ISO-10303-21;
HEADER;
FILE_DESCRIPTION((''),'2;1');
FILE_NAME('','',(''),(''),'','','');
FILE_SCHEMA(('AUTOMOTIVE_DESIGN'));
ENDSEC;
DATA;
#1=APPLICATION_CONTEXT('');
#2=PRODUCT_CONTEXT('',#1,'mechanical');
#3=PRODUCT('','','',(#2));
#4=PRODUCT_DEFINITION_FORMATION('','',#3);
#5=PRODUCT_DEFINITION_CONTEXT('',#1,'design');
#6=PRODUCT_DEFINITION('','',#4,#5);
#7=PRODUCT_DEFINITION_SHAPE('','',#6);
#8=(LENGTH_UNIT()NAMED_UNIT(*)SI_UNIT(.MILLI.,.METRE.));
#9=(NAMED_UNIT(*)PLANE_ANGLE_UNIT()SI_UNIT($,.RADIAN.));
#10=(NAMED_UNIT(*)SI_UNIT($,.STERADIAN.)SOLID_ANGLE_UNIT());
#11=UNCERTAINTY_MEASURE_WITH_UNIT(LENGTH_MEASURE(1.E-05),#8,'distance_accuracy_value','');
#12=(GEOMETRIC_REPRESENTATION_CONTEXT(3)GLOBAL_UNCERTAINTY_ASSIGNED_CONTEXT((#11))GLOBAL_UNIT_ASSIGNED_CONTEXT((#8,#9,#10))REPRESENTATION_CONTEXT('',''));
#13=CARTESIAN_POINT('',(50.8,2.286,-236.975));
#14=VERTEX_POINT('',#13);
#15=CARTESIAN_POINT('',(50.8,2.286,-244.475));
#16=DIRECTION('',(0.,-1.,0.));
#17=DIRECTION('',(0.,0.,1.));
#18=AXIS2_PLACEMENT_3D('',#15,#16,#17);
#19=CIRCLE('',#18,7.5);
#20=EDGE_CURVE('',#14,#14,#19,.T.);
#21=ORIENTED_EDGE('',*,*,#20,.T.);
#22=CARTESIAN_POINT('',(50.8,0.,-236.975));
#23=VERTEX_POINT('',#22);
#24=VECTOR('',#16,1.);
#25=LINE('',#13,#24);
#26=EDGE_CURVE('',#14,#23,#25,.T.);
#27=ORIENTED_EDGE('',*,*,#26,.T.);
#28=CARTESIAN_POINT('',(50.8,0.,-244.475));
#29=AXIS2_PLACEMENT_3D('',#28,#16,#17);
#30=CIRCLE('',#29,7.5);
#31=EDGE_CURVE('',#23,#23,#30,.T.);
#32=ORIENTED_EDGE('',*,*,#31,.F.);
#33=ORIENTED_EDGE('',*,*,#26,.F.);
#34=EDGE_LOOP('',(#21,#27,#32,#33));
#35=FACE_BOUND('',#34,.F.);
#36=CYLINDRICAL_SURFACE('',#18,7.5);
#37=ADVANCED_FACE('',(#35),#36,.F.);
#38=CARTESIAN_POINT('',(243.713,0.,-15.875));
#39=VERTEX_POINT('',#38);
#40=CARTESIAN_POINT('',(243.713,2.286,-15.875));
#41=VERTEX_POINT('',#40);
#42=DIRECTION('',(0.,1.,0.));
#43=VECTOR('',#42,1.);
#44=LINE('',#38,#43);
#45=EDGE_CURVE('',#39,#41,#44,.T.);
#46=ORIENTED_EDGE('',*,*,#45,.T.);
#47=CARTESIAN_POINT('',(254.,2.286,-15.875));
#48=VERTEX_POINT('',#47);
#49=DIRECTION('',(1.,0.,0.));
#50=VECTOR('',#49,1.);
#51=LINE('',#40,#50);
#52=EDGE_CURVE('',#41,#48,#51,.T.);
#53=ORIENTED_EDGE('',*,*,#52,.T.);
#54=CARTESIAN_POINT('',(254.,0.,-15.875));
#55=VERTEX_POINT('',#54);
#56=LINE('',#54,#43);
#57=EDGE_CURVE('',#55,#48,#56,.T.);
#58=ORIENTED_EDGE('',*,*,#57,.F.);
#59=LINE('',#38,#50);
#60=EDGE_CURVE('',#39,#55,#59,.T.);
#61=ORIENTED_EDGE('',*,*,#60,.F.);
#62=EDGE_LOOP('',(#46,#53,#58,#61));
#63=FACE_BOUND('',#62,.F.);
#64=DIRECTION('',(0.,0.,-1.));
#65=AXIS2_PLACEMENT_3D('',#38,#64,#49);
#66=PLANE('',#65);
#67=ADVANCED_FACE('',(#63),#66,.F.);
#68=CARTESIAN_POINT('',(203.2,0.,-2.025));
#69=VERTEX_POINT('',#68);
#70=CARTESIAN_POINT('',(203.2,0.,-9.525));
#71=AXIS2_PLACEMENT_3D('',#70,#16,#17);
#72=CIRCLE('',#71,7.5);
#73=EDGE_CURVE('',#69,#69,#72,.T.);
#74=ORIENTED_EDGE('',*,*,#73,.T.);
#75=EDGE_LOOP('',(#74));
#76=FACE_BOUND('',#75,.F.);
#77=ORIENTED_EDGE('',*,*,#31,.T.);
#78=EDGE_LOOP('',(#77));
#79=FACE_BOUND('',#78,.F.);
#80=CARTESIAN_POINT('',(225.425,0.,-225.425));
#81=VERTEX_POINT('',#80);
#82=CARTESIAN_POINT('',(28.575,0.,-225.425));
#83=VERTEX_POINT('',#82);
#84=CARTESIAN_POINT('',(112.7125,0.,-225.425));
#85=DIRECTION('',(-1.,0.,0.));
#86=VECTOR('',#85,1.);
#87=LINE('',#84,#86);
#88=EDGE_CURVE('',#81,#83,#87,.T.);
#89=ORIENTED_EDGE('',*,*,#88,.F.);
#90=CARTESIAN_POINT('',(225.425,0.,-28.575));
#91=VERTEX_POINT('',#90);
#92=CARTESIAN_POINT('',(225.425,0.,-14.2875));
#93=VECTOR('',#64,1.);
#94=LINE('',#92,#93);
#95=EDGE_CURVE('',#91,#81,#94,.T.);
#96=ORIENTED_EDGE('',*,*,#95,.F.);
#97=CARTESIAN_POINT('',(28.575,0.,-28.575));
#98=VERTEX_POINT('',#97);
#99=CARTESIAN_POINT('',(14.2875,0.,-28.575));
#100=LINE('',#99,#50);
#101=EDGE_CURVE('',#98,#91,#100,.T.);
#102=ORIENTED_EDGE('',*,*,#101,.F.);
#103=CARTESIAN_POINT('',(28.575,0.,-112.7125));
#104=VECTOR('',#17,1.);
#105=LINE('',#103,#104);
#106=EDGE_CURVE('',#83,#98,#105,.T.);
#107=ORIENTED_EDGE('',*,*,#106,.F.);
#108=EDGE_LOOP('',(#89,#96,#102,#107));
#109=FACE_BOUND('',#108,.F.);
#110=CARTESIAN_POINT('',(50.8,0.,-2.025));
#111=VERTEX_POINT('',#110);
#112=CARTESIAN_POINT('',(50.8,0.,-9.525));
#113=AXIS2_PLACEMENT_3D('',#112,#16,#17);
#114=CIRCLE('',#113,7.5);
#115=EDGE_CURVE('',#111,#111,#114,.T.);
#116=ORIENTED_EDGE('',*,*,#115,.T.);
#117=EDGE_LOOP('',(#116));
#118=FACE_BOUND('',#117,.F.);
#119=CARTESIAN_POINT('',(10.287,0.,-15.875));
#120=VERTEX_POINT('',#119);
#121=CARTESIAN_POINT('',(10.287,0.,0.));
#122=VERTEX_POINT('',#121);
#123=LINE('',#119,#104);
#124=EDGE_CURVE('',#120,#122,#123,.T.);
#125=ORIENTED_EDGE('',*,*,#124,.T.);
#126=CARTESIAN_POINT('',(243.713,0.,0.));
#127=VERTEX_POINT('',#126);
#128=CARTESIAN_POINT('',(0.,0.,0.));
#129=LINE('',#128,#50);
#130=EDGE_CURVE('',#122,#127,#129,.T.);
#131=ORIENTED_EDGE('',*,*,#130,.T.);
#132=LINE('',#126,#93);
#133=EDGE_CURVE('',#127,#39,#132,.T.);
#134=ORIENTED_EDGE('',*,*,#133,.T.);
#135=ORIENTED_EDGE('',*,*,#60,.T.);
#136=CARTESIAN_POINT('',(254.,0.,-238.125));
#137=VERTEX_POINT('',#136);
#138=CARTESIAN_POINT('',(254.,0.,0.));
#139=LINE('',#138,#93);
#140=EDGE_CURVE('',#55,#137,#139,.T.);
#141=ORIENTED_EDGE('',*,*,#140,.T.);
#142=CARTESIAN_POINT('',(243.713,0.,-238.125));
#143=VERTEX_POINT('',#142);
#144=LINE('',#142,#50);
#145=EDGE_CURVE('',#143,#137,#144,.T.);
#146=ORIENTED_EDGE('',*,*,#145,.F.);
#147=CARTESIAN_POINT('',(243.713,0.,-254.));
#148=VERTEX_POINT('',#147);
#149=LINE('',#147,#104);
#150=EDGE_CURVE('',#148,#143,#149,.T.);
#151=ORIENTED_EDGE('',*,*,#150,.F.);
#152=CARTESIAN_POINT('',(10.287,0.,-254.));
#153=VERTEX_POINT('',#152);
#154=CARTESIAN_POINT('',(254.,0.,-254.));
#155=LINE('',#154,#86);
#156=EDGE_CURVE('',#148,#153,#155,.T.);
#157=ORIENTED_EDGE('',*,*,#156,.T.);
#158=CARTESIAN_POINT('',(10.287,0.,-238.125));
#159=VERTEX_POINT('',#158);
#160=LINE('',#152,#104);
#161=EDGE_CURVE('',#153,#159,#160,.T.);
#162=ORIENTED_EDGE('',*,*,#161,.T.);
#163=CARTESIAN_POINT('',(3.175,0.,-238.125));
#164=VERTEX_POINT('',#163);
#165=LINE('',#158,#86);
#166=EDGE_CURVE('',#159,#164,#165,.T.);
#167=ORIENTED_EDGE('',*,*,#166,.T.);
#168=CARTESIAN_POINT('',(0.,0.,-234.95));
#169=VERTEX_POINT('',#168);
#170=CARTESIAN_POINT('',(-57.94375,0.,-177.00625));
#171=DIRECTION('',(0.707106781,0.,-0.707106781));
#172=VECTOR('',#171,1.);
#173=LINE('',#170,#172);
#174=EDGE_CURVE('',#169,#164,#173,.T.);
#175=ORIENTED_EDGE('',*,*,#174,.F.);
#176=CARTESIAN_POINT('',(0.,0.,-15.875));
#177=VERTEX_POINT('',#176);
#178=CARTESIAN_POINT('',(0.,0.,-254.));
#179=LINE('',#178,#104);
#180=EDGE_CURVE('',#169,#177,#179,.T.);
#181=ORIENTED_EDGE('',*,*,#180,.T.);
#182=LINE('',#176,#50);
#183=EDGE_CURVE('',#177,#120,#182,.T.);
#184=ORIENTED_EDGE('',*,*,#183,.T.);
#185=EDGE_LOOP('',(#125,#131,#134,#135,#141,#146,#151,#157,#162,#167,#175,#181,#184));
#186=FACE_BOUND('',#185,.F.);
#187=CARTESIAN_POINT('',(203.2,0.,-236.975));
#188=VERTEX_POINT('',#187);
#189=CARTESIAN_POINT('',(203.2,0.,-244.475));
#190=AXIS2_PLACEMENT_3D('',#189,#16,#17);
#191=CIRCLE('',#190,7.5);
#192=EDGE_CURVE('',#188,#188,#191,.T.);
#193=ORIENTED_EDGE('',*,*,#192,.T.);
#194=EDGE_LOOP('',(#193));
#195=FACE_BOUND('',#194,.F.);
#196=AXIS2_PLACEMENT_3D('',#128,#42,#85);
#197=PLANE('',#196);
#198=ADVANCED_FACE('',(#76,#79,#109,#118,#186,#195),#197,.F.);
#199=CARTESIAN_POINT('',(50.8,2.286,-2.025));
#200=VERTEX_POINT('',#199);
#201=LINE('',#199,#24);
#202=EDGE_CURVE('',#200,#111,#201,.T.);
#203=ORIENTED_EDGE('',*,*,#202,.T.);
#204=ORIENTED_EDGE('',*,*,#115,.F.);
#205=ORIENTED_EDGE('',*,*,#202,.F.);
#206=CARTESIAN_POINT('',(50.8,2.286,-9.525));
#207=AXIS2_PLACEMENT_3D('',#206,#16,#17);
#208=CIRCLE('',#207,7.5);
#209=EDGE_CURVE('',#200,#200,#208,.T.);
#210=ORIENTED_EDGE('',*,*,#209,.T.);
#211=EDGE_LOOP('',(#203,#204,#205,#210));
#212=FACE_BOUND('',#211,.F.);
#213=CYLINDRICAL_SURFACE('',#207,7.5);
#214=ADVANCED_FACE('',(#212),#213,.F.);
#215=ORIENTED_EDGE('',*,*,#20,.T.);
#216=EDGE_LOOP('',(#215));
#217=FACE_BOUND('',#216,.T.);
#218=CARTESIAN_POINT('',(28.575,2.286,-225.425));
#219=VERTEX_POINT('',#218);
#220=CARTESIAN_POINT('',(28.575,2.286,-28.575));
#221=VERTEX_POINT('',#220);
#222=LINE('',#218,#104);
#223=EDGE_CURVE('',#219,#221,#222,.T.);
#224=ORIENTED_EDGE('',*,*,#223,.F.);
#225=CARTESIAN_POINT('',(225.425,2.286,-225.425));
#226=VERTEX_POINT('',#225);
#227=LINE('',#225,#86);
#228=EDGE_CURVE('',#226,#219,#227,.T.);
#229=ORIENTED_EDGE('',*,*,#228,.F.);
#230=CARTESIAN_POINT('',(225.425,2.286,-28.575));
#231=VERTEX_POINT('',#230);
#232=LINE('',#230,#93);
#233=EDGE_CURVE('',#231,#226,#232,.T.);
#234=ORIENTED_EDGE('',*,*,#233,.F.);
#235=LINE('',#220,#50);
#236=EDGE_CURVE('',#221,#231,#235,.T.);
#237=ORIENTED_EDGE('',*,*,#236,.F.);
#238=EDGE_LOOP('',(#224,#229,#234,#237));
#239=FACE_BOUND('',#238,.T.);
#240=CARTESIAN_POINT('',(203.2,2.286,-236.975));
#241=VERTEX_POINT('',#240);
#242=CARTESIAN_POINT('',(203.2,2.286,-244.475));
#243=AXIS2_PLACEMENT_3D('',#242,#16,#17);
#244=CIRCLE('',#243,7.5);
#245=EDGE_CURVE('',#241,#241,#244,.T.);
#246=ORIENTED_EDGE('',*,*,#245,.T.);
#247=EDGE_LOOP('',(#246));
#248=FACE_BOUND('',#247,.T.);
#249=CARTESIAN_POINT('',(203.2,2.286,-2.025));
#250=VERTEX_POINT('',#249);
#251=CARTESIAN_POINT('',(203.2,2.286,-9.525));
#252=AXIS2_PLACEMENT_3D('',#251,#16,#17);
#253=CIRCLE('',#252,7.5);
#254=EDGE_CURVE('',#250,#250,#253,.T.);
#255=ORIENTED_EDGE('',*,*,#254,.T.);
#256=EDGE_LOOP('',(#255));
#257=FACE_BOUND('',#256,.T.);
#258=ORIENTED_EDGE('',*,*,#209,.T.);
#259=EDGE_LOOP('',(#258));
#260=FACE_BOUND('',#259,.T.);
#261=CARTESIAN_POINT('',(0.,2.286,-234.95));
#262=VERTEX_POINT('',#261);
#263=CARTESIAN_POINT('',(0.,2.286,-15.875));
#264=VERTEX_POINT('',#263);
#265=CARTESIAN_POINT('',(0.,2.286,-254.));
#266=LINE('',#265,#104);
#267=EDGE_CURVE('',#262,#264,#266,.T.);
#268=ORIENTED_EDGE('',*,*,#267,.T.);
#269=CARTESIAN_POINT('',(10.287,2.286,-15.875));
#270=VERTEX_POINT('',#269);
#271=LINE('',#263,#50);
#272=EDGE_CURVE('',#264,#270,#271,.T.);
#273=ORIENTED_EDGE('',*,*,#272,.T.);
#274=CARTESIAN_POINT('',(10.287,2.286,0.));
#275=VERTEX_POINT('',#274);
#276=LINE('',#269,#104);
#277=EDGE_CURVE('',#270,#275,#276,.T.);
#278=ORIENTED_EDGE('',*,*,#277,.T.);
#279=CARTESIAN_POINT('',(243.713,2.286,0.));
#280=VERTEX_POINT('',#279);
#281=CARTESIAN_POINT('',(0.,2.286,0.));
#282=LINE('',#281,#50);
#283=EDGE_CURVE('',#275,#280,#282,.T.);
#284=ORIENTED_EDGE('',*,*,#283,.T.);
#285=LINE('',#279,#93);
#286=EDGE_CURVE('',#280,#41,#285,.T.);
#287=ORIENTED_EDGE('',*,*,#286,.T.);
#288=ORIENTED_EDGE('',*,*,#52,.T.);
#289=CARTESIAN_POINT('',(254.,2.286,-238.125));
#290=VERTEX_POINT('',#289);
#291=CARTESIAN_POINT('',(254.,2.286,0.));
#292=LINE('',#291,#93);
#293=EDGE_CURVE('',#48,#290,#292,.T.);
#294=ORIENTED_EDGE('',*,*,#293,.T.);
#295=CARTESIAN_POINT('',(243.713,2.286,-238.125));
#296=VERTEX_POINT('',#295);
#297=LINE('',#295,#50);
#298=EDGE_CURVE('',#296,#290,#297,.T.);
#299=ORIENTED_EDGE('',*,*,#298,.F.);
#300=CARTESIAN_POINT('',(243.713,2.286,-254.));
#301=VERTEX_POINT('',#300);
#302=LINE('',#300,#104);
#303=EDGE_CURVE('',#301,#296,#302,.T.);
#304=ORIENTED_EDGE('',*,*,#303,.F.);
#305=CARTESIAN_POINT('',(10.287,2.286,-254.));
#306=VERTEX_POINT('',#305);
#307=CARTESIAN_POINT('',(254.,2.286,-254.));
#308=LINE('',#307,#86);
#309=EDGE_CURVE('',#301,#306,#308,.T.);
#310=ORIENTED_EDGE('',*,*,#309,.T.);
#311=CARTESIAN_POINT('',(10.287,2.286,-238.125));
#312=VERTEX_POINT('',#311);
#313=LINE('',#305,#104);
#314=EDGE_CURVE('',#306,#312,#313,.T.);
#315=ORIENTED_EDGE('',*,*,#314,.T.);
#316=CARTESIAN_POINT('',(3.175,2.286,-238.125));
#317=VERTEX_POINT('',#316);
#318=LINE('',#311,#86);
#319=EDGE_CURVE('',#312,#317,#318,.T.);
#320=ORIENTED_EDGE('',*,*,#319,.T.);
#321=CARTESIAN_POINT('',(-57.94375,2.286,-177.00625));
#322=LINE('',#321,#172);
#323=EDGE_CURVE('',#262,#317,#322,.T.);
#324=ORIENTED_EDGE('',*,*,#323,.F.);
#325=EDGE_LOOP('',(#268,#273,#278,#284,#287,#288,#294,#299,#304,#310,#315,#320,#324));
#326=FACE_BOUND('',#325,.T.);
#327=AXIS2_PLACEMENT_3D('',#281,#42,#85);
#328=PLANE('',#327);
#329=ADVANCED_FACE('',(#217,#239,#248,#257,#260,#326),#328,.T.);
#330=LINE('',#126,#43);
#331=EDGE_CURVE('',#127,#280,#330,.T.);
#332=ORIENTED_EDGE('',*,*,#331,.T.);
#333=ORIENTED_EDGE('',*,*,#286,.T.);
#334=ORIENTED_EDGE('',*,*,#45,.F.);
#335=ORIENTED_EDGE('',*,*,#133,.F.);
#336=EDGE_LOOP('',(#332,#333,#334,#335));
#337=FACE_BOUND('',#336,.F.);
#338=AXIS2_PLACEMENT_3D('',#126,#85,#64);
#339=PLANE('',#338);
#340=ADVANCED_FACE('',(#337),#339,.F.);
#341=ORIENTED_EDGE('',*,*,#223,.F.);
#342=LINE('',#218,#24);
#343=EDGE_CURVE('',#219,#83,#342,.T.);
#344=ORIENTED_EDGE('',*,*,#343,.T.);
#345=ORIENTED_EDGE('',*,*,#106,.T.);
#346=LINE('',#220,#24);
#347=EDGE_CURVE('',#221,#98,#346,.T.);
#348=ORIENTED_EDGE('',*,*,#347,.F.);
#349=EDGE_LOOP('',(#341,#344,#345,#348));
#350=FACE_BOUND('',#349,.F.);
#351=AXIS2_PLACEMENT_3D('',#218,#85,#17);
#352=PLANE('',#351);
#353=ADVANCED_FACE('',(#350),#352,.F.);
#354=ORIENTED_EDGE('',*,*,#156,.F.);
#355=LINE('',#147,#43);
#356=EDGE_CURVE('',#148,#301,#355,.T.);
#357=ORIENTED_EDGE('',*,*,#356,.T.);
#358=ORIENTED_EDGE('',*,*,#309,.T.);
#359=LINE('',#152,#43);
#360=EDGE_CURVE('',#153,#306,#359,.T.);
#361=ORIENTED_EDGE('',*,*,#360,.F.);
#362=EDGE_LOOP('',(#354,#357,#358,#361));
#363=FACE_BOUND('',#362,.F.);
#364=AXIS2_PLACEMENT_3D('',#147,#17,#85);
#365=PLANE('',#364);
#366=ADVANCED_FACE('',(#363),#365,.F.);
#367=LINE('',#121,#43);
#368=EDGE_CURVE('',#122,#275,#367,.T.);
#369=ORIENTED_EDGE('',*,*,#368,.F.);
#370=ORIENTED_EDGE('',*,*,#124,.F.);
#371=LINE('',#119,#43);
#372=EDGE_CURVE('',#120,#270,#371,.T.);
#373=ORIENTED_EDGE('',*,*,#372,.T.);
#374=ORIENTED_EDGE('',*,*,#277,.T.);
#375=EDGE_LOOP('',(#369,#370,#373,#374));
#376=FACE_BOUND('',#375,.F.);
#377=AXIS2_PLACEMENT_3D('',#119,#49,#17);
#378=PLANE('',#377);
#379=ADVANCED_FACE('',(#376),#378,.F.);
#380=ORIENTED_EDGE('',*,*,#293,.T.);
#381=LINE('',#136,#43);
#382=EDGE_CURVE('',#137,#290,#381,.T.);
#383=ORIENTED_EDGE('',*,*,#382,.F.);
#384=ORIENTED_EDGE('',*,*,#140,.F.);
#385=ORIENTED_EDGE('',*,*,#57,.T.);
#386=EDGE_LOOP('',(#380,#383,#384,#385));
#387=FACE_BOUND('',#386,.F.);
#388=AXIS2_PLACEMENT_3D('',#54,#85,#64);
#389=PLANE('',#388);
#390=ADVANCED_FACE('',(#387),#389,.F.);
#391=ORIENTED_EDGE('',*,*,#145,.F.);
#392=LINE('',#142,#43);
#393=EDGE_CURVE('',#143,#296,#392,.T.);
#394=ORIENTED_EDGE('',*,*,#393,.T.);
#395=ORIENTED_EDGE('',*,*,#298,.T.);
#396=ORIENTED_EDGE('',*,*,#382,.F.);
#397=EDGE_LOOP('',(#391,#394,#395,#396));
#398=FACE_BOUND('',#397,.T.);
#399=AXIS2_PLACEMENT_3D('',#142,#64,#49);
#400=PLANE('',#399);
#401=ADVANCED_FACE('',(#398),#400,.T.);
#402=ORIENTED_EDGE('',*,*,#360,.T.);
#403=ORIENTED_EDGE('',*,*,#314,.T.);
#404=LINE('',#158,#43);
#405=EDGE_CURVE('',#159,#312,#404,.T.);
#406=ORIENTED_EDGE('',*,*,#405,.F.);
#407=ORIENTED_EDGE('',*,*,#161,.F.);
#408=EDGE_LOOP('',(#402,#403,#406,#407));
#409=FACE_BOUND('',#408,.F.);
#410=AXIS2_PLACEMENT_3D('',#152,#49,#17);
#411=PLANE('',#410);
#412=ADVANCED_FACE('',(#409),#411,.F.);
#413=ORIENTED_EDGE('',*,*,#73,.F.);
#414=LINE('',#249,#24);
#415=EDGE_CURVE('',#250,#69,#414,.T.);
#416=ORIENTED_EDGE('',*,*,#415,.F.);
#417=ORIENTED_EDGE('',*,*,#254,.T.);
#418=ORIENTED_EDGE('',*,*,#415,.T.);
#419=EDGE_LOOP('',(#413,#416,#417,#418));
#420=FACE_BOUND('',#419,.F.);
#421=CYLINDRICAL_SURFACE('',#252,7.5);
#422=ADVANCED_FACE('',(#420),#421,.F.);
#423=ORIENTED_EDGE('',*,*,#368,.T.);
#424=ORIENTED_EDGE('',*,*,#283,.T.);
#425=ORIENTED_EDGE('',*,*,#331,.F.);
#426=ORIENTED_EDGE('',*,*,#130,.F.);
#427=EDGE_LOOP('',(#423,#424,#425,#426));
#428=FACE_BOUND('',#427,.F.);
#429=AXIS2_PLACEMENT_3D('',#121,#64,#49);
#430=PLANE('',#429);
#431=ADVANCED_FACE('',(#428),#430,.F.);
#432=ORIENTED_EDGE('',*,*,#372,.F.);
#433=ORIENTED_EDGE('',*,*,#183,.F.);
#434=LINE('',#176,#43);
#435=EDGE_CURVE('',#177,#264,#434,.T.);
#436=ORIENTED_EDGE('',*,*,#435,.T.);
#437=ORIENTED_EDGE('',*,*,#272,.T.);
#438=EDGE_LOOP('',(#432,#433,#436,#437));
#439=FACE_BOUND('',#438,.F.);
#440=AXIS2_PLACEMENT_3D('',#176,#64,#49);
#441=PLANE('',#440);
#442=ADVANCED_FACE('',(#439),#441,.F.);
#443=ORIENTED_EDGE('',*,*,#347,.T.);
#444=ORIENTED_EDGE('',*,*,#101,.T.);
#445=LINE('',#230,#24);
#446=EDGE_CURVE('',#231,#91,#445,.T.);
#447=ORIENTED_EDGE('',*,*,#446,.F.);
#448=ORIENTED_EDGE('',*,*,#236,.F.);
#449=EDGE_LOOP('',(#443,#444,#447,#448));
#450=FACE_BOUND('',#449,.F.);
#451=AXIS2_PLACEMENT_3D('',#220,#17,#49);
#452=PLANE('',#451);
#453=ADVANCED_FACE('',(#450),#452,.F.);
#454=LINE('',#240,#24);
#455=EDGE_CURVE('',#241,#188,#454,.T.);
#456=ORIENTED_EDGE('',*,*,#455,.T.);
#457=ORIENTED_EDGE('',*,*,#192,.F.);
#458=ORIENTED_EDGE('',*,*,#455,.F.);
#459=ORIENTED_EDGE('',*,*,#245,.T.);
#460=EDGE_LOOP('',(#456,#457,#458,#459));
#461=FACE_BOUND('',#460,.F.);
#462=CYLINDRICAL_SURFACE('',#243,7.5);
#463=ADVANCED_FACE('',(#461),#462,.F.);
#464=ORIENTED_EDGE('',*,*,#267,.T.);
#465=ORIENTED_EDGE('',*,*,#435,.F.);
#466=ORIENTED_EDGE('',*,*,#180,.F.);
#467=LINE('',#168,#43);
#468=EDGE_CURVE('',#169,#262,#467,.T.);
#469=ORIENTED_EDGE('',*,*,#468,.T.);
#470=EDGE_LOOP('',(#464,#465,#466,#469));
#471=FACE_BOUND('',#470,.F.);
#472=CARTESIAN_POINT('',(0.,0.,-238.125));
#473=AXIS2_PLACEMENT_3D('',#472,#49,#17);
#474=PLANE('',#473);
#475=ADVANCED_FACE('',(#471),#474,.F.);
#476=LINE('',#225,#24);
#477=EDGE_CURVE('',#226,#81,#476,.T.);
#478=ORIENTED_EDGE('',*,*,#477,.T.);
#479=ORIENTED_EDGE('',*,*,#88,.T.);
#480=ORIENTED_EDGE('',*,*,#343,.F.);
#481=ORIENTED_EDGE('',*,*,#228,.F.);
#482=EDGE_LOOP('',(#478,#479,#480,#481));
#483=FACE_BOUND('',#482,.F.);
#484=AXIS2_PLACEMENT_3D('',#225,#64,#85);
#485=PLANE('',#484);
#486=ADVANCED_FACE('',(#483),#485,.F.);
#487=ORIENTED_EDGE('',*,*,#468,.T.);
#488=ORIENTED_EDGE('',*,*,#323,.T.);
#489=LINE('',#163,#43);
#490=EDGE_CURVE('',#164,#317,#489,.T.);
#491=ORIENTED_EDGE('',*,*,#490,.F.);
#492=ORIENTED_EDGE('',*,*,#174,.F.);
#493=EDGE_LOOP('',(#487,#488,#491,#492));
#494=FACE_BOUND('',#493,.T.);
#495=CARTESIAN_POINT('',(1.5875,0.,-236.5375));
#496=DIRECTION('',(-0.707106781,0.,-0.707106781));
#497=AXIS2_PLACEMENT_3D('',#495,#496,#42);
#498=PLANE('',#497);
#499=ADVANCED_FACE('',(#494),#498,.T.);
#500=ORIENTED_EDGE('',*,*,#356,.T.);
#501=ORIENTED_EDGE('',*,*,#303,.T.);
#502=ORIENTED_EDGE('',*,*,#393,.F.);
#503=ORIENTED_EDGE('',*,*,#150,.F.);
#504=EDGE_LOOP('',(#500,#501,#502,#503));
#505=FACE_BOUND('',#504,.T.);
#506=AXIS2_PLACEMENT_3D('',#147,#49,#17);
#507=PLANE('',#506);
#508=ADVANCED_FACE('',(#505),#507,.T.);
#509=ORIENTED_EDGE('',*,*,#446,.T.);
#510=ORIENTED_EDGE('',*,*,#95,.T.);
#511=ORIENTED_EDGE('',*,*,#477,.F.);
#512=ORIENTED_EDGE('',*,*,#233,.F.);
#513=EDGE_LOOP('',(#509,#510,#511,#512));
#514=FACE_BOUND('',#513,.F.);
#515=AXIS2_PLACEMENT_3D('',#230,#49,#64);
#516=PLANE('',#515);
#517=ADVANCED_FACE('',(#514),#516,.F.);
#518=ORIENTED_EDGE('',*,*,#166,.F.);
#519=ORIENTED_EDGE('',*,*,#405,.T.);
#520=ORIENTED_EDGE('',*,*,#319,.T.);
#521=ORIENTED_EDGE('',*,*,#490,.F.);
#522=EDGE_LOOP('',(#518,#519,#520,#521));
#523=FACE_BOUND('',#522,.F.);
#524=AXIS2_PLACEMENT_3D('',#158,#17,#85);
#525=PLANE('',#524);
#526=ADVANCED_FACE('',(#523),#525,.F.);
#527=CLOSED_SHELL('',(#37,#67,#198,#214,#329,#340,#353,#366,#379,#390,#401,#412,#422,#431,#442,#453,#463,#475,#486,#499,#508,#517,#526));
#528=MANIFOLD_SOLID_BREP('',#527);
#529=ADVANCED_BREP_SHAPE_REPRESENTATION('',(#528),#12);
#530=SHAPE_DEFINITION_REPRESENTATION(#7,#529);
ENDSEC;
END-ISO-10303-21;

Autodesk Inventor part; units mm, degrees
ref_plane "YZ Plane" through (0, 0, 0) normal (1, 0, 0) x (0, 1, 0)
ref_plane "XZ Plane" through (0, 0, 0) normal (0, 1, 0) x (-1, 0, 0)
ref_plane "XY Plane" through (0, 0, 0) normal (0, 0, 1) x (1, 0, 0)
sketch "Sketch1" plane through (0, 0, 0) normal (0, 1, 0) x (-1, 0, 0)
  line L0 (0, 0) -> (-254, 0)
  line L1 (-254, 0) -> (-254, -254)
  line L2 (-254, -254) -> (0, -254)
  line L3 (0, -254) -> (0, 0)
  line L4 (0, -15.875) -> (-10.287, -15.875)
  line L5 (-10.287, -15.875) -> (-10.287, 0)
  line L6 (-243.713, 0) -> (-243.713, -15.875)
  line L7 (-243.713, -15.875) -> (-254, -15.875)
  line L8 (-243.713, -254) -> (-243.713, -238.125)
  line L9 (-243.713, -238.125) -> (-254, -238.125)
  line L10 (-10.287, -254) -> (-10.287, -238.125)
  line L11 (-10.287, -238.125) -> (0, -238.125)
  dimension "d0" = 254
  dimension "d1" = 254
  dimension "d14" = 10.287
  dimension "d15" = 10.287
  dimension "d16" = 15.875
  dimension "d17" = 15.875
extrude "Extrusion1" add sketch "Sketch1" along normal blind 2.286 contours L5 L4 L3 L11 L10 L2 L8 L9 L1 L7 L6 L0
sketch "Sketch2" plane through (0, 2.286, 0) normal (0, 1, 0) x (1, 0, 0)
  line L0 (28.575, 28.575) -> (225.425, 28.575)
  line L1 (225.425, 28.575) -> (225.425, 225.425)
  line L2 (225.425, 225.425) -> (28.575, 225.425)
  line L3 (28.575, 225.425) -> (28.575, 28.575)
  line L4 (0, 15.875) -> (10.287, 15.875) projected
  line L5 (10.287, 15.875) -> (10.287, 0) projected
  line L6 (10.287, 0) -> (243.713, 0) projected
  line L7 (243.713, 0) -> (243.713, 15.875) projected
  line L8 (243.713, 15.875) -> (254, 15.875) projected
  line L9 (254, 15.875) -> (254, 238.125) projected
  line L10 (254, 238.125) -> (243.713, 238.125) projected
  line L11 (243.713, 238.125) -> (243.713, 254) projected
  line L12 (243.713, 254) -> (10.287, 254) projected
  line L13 (10.287, 254) -> (10.287, 238.125) projected
  line L14 (10.287, 238.125) -> (0, 238.125) projected
  line L15 (0, 238.125) -> (0, 15.875) projected
  point P0 (0, 0)
  point P1 (127, 28.575)
  point P2 (127, 0)
  point P3 (28.575, 127)
  point P4 (0, 127)
  dimension "d9" = 196.85
  dimension "d10" = 196.85
extrude "Extrusion2" cut sketch "Sketch2" against normal through all contours L3 L2 L1 L0
sketch "Sketch3" plane through (0, 2.286, 0) normal (0, 1, 0) x (1, 0, 0)
  circle A0 centre (50.8, 9.525) radius 4 projected
  circle A1 centre (203.2, 9.525) radius 4 projected
  circle A2 centre (203.2, 244.475) radius 4.2037 projected
  circle A3 centre (50.8, 244.475) radius 4.2037 projected
  point P0 (0, 0)
hole "Hole1" at (50.8, 2.286, -9.525) at (50.8, 2.286, -244.475) at (203.2, 2.286, -244.475) at (203.2, 2.286, -9.525) direction (0, -1, 0) diameter 15 end through all
chamfer "Chamfer1" distance 3.175 angle 45 1 edges at (0, 1.143, -238.125)
equation "\"d15\" = d14"
equation "\"d17\" = d16"
equation "\"d9\" = d10"
properties part number "Carriage Sheet"
